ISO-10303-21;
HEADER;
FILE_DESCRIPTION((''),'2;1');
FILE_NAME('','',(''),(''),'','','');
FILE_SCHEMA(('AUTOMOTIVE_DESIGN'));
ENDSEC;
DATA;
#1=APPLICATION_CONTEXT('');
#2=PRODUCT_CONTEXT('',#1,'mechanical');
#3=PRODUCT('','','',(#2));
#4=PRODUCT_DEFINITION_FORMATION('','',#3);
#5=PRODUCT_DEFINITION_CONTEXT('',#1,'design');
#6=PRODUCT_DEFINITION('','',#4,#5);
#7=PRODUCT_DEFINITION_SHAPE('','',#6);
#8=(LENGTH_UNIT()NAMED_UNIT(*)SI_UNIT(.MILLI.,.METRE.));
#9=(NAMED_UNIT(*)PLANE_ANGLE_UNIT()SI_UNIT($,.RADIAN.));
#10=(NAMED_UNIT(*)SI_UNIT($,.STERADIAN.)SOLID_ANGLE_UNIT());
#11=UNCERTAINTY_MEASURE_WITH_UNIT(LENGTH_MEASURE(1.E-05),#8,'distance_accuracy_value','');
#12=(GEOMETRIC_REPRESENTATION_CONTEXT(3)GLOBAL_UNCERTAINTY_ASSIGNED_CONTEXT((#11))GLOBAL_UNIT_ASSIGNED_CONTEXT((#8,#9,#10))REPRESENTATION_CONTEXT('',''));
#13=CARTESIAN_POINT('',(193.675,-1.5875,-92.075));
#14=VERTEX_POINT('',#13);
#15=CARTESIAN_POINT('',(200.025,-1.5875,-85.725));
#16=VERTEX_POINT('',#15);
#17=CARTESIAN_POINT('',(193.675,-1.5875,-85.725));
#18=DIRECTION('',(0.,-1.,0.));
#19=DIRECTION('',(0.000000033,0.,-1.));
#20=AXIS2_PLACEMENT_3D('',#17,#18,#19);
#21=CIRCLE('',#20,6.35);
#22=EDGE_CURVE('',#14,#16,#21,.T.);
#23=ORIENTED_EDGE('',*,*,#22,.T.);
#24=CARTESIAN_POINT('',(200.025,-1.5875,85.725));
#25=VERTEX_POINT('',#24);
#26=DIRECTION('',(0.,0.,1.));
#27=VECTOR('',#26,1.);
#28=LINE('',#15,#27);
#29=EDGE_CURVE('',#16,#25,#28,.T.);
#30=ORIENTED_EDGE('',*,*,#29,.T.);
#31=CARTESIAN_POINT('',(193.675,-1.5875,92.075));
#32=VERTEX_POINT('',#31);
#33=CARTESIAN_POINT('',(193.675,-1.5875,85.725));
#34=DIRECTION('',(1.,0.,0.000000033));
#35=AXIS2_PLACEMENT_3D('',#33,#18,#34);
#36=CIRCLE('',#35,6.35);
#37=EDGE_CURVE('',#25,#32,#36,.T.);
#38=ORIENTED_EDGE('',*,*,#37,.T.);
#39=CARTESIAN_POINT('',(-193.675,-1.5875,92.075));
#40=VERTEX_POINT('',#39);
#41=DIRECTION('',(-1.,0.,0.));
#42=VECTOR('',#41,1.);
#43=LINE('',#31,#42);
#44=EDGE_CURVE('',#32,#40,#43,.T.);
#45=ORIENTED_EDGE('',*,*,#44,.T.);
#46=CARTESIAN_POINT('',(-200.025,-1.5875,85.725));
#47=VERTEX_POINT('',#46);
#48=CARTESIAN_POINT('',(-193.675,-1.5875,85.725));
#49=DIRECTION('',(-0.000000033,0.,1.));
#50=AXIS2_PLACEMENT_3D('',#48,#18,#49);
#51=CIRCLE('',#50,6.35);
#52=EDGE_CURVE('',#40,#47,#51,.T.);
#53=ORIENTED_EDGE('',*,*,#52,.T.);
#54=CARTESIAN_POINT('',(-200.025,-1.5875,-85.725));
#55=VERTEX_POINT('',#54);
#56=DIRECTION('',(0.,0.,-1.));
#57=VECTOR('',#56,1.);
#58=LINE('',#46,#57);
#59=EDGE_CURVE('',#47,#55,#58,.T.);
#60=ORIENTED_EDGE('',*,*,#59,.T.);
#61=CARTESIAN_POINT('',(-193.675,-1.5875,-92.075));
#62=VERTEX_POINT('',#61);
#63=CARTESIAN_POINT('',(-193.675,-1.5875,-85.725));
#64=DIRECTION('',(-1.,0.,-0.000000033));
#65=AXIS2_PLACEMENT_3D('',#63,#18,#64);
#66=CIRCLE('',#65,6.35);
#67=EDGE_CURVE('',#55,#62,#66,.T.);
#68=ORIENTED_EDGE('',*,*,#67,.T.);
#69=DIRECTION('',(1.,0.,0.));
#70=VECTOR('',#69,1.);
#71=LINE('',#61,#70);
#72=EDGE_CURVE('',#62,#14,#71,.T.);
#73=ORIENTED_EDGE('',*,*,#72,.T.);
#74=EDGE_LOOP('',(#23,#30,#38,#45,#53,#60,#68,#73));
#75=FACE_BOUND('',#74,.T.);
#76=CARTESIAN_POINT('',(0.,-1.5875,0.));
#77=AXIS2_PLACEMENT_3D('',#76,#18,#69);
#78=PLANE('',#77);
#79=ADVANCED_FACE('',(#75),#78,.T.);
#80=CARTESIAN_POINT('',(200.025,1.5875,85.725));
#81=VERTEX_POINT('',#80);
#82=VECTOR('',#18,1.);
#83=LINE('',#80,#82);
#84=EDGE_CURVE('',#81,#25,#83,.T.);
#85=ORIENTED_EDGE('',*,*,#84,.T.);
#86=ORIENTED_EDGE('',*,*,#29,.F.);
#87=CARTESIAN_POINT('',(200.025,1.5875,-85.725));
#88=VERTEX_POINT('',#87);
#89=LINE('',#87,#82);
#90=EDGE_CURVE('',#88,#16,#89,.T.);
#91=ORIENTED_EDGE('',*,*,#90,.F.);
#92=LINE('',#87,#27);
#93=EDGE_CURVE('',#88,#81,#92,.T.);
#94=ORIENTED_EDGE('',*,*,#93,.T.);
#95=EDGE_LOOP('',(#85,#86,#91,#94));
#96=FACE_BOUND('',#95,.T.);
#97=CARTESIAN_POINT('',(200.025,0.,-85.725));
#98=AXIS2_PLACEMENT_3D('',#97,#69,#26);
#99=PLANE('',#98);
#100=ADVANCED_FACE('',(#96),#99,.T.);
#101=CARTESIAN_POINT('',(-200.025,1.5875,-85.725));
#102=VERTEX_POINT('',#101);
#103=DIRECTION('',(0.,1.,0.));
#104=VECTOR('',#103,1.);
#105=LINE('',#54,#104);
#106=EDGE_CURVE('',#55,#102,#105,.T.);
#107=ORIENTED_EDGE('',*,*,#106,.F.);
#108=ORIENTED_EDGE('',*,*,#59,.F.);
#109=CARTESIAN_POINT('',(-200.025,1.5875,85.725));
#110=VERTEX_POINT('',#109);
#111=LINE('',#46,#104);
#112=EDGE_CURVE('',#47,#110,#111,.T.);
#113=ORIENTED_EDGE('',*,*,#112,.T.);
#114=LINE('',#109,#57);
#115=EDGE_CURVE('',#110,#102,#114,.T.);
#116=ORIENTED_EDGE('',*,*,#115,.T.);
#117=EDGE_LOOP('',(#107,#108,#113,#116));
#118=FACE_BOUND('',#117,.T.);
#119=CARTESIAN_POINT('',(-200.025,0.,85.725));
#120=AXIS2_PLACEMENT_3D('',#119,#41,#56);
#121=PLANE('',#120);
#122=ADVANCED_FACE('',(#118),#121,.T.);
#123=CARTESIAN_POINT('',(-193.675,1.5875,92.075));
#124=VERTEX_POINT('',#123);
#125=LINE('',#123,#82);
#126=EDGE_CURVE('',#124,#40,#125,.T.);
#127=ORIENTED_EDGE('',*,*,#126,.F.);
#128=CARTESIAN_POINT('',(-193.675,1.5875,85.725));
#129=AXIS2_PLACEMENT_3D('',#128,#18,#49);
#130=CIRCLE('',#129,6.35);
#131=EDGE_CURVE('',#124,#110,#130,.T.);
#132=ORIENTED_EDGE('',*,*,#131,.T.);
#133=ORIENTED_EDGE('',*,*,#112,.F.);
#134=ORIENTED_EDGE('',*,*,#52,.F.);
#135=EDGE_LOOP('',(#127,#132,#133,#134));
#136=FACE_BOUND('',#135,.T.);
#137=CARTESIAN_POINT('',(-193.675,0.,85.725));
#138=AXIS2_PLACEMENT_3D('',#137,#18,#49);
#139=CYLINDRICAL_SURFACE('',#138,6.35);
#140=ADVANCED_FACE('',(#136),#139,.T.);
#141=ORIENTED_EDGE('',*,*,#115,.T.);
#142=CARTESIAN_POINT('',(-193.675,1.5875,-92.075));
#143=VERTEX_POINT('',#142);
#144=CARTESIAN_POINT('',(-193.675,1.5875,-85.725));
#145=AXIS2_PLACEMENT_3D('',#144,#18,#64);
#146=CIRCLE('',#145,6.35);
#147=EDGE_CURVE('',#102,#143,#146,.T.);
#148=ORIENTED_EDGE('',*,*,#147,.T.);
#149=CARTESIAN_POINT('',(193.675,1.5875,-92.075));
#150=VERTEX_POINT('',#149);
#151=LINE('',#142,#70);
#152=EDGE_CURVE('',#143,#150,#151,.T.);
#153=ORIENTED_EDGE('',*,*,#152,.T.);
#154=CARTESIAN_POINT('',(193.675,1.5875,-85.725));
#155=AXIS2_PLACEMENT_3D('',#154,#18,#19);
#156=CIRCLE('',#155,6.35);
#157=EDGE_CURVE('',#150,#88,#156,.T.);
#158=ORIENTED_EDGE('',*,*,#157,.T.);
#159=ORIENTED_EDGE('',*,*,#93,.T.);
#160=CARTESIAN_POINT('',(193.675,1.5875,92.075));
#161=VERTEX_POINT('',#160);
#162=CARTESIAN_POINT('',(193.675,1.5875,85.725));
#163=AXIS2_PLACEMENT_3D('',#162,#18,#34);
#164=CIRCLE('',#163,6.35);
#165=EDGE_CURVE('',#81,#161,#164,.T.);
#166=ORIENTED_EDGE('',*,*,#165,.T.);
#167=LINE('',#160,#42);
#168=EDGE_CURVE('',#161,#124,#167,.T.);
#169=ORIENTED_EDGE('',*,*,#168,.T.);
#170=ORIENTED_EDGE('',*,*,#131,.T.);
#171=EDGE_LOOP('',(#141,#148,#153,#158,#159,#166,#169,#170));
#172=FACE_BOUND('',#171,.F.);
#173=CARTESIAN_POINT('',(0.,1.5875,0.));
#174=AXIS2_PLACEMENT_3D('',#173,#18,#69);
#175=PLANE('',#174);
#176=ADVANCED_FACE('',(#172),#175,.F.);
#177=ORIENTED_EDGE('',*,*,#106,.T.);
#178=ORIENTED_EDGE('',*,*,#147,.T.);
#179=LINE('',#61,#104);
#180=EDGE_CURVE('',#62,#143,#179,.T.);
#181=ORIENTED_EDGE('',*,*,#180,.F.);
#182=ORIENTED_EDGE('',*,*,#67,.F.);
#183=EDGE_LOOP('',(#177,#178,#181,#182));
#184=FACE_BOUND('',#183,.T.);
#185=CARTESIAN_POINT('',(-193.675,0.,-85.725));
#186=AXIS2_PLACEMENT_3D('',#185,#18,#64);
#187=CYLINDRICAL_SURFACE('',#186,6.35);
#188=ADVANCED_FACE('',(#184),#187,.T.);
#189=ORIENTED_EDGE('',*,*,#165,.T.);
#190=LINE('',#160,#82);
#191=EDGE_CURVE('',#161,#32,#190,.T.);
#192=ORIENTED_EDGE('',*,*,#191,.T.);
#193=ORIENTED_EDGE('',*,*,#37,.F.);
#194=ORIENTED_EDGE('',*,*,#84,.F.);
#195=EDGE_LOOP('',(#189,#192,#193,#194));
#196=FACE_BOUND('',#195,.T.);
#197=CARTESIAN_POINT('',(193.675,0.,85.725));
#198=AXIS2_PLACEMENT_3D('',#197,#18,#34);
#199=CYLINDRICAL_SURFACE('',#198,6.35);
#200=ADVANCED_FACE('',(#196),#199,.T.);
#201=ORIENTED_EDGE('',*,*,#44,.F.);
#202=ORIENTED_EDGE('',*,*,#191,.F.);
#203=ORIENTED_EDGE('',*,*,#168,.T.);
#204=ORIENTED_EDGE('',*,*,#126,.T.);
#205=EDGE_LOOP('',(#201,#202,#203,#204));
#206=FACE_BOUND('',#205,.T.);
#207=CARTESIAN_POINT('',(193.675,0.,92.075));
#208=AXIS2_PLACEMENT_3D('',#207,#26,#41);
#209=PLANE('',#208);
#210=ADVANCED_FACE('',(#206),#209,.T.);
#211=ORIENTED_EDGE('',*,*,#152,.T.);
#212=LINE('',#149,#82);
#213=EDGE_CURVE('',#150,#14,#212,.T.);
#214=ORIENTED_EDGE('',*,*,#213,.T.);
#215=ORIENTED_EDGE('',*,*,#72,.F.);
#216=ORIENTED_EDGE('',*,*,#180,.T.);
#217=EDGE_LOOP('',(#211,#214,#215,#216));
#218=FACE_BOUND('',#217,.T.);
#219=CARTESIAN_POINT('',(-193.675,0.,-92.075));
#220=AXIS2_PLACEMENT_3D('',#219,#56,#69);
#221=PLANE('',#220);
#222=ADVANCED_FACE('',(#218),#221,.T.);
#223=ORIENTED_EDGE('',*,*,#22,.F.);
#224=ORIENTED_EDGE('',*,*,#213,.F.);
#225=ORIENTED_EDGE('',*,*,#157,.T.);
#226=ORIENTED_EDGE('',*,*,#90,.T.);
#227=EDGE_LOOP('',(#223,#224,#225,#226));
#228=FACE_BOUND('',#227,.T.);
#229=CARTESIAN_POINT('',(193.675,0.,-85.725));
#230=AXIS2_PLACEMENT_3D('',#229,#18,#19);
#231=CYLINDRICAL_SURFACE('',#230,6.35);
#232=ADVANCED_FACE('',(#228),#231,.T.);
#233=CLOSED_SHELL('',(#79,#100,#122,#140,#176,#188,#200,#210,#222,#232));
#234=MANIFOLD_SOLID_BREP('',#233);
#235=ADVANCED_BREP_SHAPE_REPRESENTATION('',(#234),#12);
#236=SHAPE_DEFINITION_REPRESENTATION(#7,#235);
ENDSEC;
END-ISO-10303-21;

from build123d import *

# Parameters (mm, degrees)
F1_DEPTH = 1.5875


with BuildPart() as f1:
    # F0 (on Front) → F1 (new body, symmetric)
    with BuildSketch(Plane.XZ):
        with BuildLine():
            Line((-193.675, -92.075), (193.675, -92.075))
            ThreePointArc((193.675, -92.075), (198.165128, -90.215128), (200.025, -85.725))
            Line((200.025, -85.725), (200.025, 85.725))
            ThreePointArc((200.025, 85.725), (198.165128, 90.215128), (193.675, 92.075))
            Line((193.675, 92.075), (-193.675, 92.075))
            ThreePointArc((-193.675, 92.075), (-198.165128, 90.215128), (-200.025, 85.725))
            Line((-200.025, 85.725), (-200.025, -85.725))
            ThreePointArc((-200.025, -85.725), (-198.165128, -90.215128), (-193.675, -92.075))
        make_face()
    extrude(amount=F1_DEPTH, both=True)


solid = f1.part
